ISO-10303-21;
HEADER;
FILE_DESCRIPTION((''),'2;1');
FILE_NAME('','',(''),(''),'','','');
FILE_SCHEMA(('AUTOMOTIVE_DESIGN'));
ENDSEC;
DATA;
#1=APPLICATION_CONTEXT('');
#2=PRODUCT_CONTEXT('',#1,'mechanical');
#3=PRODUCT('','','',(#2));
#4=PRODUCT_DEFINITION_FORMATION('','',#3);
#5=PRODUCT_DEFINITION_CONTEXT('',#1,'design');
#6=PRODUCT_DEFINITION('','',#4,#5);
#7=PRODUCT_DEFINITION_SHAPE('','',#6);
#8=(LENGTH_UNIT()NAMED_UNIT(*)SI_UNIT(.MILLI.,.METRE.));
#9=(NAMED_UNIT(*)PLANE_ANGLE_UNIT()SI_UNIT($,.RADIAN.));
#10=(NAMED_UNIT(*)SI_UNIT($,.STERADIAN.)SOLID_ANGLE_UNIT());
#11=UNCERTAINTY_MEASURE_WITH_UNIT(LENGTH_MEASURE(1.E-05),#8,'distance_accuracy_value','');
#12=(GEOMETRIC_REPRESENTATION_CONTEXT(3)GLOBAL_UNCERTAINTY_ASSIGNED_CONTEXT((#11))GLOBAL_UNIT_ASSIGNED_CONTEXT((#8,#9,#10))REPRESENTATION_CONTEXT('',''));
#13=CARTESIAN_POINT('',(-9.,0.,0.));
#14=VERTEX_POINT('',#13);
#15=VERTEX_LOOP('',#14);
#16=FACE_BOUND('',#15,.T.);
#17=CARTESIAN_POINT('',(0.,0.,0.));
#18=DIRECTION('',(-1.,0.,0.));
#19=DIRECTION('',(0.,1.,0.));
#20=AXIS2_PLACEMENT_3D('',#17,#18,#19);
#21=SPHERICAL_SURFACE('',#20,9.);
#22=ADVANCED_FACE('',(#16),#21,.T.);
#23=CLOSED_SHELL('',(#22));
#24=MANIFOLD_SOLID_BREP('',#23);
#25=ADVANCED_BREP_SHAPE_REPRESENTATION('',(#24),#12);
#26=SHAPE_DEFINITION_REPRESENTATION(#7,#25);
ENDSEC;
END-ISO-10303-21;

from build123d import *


with BuildPart() as part:
    # Sketch1 → Revolve1 (revolve)
    with BuildSketch(Plane.XY):
        with BuildLine():
            Line((-9, 0), (9, 0))
            ThreePointArc((9, 0), (0, 9), (-9, 0))
        make_face()
    revolve(axis=Axis((-9, 0, 0), (1, 0, 0)))


solid = part.part
